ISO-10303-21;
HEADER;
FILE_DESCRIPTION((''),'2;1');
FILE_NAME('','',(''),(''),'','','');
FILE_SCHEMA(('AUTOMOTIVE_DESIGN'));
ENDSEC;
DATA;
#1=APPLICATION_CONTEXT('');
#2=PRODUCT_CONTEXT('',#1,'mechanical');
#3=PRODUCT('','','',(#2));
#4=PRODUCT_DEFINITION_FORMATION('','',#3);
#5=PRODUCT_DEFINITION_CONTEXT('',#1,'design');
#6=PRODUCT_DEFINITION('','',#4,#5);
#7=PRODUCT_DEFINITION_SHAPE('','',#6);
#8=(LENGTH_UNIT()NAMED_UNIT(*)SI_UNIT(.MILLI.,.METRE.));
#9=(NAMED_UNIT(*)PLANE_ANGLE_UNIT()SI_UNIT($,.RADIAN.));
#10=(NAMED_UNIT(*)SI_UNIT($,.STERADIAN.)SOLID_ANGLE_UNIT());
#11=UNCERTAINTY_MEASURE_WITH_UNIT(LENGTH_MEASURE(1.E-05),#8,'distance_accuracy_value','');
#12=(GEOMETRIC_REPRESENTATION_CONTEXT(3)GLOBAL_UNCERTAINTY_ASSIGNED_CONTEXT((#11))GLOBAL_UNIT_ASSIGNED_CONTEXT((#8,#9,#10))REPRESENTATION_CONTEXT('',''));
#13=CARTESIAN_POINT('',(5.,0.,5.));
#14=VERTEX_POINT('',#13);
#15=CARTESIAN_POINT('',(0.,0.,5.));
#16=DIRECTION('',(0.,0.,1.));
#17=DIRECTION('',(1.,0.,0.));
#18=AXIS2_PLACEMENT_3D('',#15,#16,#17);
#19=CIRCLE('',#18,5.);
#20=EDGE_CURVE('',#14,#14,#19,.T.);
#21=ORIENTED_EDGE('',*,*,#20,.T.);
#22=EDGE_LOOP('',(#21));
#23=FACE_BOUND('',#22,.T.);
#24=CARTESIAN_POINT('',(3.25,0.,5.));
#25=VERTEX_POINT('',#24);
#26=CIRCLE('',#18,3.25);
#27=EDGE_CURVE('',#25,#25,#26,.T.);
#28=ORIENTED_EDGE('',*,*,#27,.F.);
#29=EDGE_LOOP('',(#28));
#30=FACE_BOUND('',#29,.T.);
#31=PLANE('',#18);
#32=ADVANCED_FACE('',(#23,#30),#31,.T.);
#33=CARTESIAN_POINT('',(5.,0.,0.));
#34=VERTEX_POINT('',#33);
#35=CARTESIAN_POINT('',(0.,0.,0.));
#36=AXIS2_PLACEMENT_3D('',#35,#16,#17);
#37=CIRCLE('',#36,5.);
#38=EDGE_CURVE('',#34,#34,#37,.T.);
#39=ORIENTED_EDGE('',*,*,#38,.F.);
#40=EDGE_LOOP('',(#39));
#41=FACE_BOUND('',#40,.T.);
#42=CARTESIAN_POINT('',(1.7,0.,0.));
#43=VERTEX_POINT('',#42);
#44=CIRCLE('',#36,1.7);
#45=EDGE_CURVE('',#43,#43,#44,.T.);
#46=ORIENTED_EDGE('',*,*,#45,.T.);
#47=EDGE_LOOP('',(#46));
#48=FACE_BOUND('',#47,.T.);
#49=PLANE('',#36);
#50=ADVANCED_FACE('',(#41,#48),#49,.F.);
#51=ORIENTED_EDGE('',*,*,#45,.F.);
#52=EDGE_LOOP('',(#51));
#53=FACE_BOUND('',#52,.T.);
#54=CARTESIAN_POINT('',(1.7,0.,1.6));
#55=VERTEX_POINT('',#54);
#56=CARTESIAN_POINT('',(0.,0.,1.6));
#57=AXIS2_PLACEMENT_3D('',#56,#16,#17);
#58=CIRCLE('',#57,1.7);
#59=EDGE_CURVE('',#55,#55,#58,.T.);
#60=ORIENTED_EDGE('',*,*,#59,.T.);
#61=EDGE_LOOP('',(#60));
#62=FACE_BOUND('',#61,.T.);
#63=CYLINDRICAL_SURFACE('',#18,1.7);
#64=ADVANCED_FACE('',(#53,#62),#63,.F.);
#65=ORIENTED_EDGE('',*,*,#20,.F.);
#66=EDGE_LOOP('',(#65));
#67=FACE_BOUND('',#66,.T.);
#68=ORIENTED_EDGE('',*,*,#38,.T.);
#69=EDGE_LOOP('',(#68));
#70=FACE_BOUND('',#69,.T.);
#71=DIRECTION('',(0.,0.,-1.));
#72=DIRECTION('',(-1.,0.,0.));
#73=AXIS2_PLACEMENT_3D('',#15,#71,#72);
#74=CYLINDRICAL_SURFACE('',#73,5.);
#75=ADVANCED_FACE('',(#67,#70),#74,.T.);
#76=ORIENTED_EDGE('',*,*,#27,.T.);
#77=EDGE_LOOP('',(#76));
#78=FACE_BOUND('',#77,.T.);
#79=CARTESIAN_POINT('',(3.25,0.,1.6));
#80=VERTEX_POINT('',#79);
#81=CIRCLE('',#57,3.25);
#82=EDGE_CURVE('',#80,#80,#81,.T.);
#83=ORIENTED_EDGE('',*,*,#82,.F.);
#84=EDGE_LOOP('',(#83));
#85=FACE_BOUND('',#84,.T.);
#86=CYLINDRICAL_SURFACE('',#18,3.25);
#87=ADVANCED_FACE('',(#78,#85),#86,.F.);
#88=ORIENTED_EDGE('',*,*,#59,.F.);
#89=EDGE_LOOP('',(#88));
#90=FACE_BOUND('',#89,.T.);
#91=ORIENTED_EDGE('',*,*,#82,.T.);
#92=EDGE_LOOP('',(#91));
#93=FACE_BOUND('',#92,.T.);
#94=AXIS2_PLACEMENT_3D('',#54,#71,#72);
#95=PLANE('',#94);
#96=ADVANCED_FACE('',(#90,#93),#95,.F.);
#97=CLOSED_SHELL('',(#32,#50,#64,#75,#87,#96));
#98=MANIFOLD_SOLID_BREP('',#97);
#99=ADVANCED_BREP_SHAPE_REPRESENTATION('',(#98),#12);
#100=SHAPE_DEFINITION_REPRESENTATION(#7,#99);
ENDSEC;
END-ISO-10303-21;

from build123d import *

# Parameters (mm, degrees)
SKETCH1_R                                       = 5
BOSS_EXTRUDE1_DEPTH                             = 5
CBORE_FOR_M3_SOCKET_HEAD_CAP_SCREW1_D           = 3.4
CBORE_FOR_M3_SOCKET_HEAD_CAP_SCREW1_CBORE_D     = 6.5
CBORE_FOR_M3_SOCKET_HEAD_CAP_SCREW1_CBORE_DEPTH = 3.4


with BuildPart() as part:
    # Sketch1 → Boss-Extrude1 (new body)
    with BuildSketch(Plane.XY):
        Circle(SKETCH1_R)
    extrude(amount=BOSS_EXTRUDE1_DEPTH)

    # CBORE for M3 Socket Head Cap Screw1 (through all)
    with Locations(Plane.XY.offset(5)):
        with Locations((0, 0)):
            CounterBoreHole(CBORE_FOR_M3_SOCKET_HEAD_CAP_SCREW1_D / 2, CBORE_FOR_M3_SOCKET_HEAD_CAP_SCREW1_CBORE_D / 2, CBORE_FOR_M3_SOCKET_HEAD_CAP_SCREW1_CBORE_DEPTH)


solid = part.part
